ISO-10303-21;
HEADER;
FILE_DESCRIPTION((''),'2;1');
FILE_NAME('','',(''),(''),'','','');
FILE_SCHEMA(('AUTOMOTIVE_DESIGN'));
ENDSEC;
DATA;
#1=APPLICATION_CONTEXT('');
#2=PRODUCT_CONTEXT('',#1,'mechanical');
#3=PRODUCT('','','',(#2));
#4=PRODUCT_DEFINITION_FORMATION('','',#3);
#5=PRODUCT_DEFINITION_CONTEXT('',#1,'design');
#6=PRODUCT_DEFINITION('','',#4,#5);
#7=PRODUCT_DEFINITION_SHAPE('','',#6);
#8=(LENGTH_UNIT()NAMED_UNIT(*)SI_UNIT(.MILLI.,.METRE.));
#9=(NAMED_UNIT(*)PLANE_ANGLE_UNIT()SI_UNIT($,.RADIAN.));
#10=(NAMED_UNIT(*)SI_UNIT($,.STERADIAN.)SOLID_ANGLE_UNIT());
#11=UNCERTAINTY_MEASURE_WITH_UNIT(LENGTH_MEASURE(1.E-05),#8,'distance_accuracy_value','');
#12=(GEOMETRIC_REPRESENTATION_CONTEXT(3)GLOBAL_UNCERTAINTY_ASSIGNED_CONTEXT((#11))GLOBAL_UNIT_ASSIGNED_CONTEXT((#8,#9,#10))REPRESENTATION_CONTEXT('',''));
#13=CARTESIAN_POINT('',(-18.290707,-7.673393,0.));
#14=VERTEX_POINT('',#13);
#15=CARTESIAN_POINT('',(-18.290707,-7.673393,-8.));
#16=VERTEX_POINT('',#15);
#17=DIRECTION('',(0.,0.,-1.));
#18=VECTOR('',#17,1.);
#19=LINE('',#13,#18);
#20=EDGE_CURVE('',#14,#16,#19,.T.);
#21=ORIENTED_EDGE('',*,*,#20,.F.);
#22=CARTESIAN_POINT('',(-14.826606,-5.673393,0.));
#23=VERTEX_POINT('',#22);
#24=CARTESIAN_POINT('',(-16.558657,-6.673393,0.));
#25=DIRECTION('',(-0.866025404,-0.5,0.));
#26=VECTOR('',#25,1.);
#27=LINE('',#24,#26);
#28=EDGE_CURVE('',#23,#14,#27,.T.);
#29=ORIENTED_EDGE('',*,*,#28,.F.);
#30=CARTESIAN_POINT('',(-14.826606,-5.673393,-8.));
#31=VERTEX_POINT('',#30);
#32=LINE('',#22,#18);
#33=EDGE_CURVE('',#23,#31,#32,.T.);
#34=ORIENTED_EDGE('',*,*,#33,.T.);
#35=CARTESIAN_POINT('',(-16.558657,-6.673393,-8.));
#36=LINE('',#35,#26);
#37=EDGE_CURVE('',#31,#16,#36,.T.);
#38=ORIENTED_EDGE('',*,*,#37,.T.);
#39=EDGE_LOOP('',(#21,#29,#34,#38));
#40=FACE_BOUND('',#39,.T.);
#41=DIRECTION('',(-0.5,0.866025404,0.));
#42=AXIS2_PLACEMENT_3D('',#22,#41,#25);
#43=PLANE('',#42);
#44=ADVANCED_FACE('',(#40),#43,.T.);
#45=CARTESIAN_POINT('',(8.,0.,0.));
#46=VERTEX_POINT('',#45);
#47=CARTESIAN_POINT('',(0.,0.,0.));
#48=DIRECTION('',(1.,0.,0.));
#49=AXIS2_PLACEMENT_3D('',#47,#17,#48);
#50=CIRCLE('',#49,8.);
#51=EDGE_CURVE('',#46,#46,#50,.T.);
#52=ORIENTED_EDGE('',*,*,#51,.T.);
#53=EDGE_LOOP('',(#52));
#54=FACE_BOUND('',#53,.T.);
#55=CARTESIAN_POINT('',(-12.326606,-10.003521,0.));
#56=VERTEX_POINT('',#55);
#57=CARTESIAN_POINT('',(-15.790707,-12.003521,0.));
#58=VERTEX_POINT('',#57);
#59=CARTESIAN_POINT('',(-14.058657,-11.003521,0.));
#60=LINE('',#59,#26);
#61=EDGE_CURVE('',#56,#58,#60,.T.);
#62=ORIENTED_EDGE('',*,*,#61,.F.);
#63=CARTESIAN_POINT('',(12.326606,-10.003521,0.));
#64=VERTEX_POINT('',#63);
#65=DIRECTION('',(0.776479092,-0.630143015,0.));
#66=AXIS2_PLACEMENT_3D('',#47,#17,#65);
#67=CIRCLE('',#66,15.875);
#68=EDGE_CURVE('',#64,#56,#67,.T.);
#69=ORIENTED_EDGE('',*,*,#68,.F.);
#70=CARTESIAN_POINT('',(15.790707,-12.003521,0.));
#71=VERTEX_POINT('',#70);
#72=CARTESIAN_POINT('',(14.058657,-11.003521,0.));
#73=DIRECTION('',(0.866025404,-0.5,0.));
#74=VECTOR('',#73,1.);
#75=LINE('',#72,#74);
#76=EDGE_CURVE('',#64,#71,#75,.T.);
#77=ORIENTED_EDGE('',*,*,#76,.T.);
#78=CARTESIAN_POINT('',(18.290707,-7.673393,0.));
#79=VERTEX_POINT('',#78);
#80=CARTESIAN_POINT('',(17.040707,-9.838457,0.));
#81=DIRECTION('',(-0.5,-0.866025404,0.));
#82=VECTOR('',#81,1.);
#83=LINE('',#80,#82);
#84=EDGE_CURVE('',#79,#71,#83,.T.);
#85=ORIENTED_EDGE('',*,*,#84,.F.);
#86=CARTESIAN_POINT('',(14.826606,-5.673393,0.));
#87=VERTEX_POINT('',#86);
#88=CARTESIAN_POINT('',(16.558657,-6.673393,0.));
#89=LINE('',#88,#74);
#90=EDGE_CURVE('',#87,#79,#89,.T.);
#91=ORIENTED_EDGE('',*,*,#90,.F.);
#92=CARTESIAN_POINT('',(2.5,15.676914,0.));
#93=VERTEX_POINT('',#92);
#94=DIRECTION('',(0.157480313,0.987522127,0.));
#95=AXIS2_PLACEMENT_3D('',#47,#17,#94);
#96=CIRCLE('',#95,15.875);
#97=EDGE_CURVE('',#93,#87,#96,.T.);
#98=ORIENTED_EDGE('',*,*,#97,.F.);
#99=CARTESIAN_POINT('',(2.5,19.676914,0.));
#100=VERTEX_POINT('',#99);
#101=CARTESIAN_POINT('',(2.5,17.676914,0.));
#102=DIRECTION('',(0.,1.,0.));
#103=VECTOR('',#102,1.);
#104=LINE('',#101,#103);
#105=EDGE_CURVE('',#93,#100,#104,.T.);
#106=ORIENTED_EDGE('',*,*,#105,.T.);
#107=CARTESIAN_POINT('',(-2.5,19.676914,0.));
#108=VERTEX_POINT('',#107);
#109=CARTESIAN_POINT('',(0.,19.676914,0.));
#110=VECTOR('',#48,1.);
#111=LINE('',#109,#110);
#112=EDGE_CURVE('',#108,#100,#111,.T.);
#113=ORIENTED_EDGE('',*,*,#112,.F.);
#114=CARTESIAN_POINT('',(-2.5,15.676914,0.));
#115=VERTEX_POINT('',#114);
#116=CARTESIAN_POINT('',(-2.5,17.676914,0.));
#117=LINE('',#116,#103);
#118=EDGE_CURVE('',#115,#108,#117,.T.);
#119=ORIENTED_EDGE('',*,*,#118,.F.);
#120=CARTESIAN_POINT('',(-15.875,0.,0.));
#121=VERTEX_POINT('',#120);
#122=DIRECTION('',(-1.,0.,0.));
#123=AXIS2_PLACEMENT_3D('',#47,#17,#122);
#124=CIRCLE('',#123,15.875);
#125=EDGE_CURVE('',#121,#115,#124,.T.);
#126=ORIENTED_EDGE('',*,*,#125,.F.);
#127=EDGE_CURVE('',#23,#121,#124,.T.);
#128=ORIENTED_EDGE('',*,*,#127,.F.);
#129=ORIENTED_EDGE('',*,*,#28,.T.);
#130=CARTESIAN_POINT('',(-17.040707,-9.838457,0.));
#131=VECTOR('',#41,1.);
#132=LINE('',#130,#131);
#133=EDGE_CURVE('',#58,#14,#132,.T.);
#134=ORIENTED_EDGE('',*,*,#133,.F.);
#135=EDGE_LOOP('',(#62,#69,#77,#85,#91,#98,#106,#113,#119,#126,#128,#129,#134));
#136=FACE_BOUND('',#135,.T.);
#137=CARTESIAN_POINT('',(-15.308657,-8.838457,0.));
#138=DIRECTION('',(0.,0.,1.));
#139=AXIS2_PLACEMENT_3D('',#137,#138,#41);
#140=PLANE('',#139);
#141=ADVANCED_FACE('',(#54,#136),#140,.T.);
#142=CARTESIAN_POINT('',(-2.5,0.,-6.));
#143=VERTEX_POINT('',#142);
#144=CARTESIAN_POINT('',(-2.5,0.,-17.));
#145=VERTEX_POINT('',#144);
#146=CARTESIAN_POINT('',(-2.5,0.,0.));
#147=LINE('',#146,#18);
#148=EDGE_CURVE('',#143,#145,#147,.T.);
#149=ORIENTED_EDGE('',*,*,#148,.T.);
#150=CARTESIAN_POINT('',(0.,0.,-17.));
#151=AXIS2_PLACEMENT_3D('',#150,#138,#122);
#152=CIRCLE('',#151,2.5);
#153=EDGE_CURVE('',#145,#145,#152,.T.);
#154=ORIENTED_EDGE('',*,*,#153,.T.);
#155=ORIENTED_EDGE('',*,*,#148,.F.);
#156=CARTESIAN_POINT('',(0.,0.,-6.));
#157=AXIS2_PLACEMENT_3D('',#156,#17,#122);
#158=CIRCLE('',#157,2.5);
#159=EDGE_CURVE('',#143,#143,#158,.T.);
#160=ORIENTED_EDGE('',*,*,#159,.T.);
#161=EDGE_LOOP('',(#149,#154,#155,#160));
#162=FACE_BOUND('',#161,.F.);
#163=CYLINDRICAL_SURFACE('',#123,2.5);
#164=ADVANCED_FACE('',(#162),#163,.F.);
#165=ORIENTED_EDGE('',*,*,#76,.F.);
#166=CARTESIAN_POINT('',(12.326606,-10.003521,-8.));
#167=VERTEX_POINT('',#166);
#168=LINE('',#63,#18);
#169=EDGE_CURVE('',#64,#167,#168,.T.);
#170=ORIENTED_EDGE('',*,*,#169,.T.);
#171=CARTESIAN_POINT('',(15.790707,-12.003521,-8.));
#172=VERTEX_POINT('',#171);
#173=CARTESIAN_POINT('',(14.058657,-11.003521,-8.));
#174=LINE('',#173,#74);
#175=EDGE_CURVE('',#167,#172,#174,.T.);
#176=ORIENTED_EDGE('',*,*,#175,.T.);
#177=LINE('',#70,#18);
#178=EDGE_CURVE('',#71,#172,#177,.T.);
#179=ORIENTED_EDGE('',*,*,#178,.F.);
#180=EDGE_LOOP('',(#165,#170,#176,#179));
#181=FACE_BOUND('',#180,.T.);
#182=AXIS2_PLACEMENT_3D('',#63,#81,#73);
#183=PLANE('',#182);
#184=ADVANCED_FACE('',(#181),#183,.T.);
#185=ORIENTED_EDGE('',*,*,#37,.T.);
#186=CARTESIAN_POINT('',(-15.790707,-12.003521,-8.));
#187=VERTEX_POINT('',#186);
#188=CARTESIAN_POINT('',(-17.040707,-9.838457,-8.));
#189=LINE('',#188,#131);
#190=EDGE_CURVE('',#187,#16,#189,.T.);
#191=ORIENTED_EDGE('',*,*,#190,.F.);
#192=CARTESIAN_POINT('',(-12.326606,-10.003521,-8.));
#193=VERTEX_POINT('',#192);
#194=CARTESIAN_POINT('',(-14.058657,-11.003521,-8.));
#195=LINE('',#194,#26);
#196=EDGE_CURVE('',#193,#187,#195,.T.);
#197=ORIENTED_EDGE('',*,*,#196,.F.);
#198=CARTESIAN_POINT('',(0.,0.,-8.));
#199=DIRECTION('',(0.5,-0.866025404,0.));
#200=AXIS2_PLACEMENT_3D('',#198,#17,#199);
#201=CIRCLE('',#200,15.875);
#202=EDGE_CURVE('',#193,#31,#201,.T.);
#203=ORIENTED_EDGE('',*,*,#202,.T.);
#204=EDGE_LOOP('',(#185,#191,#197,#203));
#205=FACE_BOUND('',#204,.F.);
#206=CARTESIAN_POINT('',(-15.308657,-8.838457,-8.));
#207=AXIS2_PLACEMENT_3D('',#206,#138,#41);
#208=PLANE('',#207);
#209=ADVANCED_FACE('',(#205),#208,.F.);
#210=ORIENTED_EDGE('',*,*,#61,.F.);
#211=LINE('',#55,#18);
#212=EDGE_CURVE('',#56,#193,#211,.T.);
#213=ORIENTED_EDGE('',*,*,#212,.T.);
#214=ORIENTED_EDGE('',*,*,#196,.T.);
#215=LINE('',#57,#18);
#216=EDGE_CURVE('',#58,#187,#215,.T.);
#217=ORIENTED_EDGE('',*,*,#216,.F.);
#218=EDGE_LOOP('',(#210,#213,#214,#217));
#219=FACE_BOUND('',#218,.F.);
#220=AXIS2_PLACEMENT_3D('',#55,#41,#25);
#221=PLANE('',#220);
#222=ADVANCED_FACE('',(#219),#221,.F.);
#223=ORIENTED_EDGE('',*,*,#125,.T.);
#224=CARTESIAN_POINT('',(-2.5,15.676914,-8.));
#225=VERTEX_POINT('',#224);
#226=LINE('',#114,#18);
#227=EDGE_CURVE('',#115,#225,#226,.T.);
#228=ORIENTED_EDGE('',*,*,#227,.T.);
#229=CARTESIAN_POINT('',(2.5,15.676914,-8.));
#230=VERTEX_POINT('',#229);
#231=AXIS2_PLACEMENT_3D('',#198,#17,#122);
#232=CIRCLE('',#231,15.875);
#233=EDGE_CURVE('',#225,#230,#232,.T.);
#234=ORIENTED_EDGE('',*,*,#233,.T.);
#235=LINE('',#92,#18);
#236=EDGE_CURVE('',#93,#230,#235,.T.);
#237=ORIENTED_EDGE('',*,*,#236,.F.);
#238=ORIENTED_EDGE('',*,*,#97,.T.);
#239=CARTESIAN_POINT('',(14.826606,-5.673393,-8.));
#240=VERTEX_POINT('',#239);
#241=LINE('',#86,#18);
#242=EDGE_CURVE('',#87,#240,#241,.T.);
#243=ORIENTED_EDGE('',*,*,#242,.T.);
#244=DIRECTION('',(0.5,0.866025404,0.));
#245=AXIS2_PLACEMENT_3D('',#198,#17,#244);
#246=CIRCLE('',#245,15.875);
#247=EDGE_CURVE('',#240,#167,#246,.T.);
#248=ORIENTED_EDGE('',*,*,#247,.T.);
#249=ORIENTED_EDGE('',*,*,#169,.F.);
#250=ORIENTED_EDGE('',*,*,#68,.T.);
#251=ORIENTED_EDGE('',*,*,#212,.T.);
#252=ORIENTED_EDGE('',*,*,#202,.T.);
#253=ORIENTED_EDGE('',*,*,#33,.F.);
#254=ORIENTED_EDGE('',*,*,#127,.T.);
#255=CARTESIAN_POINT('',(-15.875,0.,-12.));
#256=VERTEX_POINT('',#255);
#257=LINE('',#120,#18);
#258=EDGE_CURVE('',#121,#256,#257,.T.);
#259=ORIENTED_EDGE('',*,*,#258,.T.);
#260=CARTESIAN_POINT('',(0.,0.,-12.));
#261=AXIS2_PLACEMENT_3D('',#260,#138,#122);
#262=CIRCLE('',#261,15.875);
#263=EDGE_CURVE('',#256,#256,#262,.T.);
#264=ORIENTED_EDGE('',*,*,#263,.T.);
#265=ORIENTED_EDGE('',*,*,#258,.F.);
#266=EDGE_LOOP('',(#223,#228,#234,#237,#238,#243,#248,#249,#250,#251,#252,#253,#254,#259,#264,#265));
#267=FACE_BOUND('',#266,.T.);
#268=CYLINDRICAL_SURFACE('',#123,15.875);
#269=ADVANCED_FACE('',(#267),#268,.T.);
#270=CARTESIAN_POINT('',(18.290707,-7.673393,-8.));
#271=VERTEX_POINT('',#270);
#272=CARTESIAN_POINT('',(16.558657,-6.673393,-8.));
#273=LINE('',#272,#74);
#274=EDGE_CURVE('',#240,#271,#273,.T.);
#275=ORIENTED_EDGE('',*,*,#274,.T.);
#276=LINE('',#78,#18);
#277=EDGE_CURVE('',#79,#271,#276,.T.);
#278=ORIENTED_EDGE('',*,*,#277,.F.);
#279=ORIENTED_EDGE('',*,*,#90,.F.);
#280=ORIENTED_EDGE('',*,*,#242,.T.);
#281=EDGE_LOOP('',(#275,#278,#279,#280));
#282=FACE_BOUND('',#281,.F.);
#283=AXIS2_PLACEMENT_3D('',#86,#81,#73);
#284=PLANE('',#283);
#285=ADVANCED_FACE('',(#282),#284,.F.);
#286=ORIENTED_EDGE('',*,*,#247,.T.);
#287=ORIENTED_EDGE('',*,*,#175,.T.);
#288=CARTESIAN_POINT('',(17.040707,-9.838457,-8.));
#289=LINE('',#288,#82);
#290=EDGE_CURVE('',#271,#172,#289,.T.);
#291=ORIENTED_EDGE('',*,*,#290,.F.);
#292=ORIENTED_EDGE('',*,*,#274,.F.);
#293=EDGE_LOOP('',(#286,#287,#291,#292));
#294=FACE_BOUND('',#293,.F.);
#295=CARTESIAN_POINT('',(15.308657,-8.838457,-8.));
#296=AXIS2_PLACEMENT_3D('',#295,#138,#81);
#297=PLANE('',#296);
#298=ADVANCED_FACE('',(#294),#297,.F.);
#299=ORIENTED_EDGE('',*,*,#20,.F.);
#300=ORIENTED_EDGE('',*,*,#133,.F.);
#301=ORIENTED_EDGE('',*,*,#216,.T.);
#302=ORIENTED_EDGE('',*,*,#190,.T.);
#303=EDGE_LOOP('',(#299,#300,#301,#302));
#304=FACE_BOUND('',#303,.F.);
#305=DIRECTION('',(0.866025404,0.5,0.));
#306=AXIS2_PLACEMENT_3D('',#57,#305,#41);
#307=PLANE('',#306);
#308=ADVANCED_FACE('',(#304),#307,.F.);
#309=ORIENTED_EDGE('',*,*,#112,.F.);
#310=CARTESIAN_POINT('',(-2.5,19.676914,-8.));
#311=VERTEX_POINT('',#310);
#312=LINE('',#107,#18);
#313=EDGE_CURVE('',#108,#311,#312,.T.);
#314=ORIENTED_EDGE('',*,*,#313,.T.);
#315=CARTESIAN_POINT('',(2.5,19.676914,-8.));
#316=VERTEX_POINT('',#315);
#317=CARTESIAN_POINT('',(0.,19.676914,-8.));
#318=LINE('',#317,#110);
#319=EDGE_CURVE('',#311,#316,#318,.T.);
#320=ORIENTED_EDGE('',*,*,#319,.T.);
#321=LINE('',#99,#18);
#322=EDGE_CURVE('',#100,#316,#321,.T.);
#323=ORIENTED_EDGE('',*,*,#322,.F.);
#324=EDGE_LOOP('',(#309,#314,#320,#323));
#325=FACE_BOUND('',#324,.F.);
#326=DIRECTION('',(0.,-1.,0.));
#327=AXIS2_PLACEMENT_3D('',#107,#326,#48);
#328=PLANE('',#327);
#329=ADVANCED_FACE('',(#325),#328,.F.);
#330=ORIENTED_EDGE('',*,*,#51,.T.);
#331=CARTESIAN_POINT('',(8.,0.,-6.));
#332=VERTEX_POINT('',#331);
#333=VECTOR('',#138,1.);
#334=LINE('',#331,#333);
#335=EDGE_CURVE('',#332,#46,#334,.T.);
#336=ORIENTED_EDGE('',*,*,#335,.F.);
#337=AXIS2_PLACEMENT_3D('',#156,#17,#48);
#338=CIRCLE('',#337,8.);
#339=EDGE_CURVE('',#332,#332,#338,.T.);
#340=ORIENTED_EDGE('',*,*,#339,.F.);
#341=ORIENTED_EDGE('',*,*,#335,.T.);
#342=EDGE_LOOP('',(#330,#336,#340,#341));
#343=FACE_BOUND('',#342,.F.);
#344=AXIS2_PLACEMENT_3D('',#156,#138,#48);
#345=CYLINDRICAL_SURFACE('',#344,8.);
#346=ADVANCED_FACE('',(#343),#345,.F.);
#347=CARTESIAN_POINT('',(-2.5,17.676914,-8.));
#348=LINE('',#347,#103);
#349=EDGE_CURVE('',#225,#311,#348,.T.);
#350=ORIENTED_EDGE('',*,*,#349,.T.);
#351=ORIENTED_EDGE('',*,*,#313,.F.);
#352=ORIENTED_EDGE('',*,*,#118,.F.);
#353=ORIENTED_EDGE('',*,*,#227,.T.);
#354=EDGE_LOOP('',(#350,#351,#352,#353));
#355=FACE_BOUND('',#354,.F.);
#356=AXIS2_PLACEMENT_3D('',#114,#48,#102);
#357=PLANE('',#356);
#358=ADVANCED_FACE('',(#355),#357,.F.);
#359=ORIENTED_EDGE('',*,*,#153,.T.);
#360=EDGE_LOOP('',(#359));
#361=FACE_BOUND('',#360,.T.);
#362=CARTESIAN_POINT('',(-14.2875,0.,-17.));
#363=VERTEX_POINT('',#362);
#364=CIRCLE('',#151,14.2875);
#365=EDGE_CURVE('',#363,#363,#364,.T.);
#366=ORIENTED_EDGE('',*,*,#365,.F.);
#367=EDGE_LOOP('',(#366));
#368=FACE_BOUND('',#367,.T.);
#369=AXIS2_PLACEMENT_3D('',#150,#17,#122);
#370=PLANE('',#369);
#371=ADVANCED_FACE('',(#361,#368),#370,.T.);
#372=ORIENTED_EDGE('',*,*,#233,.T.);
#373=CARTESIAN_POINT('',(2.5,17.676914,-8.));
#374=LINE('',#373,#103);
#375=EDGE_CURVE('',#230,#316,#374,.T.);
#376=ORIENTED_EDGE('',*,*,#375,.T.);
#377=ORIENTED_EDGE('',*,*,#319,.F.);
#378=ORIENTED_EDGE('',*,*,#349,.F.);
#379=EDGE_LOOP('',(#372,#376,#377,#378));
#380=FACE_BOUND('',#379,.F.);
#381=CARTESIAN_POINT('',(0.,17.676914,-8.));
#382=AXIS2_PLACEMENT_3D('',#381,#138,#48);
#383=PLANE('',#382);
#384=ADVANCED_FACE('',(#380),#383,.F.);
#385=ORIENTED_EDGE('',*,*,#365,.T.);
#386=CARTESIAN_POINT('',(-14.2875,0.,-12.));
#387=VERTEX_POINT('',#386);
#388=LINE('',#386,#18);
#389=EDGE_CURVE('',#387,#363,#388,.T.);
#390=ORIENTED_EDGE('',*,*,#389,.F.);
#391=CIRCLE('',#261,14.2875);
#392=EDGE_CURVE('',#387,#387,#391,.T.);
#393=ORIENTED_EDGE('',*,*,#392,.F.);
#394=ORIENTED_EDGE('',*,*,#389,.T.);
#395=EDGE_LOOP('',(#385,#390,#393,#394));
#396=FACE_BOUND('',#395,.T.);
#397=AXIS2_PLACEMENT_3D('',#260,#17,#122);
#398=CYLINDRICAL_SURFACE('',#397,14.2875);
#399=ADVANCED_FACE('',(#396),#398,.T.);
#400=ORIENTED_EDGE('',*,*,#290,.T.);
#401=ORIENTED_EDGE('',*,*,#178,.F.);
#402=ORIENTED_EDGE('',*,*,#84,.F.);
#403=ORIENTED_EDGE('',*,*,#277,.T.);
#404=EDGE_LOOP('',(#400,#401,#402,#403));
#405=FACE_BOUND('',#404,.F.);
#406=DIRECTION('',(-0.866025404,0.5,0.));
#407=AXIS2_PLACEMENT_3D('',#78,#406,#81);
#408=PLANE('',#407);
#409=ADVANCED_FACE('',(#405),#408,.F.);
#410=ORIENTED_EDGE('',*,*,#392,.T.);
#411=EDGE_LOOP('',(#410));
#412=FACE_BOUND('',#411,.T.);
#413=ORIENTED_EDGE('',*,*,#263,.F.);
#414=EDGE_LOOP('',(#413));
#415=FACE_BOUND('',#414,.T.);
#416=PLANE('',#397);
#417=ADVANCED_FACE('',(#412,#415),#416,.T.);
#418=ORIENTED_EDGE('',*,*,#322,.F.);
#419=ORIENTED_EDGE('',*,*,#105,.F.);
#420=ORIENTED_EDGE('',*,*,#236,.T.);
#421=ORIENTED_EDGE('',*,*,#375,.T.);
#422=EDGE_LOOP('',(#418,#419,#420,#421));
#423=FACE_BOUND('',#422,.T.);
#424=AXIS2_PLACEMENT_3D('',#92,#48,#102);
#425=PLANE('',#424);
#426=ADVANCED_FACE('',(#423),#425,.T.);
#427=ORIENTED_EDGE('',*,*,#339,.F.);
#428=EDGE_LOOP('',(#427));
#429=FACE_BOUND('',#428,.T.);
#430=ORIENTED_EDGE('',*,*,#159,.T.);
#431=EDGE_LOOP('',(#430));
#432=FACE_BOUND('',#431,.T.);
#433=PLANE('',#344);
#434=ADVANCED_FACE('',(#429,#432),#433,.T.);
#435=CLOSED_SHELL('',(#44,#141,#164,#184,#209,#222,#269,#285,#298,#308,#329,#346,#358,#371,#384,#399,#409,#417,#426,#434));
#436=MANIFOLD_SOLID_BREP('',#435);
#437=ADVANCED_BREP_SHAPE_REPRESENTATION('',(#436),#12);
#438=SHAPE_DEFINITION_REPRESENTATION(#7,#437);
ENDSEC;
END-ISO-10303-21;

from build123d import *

# Parameters (mm, degrees)
F3_D           = 5
F3_CBORE_D     = 16
F3_CBORE_DEPTH = 6
F4_W           = 5
F4_H           = 4
F5_DEPTH       = 8
F6_COUNT       = 3


with BuildPart() as f1:
    # F0 (on Front) → F1 (revolve)
    with BuildSketch(Plane.XZ):
        Polygon((0, -17), (0, 0), (-15.875, 0), (-15.875, -12), (-14.2875, -12), (-14.2875, -17), align=None)
    revolve(axis=Axis((0, 0, -23.116006), (0, 0, -1)))

    # F3 (through all)
    with Locations(Plane.XY):
        with Locations((0, 0)):
            CounterBoreHole(F3_D / 2, F3_CBORE_D / 2, F3_CBORE_DEPTH)

    # F4 (on face) → F5 (join)
    with BuildSketch(Plane.XY):
        with Locations((0, 17.676914)):
            Rectangle(F4_W, F4_H)
    extrude(amount=-F5_DEPTH)

    # F6: F1 ×3 about axis
    f6_axis = Axis((0, 0, -12), (0, 0, -1))


with BuildPart() as f1_1:
    add(f1.part)
    for i in range(1, F6_COUNT):
        add(f1.part.rotate(f6_axis, i * 360 / F6_COUNT))


solid = f1_1.part
